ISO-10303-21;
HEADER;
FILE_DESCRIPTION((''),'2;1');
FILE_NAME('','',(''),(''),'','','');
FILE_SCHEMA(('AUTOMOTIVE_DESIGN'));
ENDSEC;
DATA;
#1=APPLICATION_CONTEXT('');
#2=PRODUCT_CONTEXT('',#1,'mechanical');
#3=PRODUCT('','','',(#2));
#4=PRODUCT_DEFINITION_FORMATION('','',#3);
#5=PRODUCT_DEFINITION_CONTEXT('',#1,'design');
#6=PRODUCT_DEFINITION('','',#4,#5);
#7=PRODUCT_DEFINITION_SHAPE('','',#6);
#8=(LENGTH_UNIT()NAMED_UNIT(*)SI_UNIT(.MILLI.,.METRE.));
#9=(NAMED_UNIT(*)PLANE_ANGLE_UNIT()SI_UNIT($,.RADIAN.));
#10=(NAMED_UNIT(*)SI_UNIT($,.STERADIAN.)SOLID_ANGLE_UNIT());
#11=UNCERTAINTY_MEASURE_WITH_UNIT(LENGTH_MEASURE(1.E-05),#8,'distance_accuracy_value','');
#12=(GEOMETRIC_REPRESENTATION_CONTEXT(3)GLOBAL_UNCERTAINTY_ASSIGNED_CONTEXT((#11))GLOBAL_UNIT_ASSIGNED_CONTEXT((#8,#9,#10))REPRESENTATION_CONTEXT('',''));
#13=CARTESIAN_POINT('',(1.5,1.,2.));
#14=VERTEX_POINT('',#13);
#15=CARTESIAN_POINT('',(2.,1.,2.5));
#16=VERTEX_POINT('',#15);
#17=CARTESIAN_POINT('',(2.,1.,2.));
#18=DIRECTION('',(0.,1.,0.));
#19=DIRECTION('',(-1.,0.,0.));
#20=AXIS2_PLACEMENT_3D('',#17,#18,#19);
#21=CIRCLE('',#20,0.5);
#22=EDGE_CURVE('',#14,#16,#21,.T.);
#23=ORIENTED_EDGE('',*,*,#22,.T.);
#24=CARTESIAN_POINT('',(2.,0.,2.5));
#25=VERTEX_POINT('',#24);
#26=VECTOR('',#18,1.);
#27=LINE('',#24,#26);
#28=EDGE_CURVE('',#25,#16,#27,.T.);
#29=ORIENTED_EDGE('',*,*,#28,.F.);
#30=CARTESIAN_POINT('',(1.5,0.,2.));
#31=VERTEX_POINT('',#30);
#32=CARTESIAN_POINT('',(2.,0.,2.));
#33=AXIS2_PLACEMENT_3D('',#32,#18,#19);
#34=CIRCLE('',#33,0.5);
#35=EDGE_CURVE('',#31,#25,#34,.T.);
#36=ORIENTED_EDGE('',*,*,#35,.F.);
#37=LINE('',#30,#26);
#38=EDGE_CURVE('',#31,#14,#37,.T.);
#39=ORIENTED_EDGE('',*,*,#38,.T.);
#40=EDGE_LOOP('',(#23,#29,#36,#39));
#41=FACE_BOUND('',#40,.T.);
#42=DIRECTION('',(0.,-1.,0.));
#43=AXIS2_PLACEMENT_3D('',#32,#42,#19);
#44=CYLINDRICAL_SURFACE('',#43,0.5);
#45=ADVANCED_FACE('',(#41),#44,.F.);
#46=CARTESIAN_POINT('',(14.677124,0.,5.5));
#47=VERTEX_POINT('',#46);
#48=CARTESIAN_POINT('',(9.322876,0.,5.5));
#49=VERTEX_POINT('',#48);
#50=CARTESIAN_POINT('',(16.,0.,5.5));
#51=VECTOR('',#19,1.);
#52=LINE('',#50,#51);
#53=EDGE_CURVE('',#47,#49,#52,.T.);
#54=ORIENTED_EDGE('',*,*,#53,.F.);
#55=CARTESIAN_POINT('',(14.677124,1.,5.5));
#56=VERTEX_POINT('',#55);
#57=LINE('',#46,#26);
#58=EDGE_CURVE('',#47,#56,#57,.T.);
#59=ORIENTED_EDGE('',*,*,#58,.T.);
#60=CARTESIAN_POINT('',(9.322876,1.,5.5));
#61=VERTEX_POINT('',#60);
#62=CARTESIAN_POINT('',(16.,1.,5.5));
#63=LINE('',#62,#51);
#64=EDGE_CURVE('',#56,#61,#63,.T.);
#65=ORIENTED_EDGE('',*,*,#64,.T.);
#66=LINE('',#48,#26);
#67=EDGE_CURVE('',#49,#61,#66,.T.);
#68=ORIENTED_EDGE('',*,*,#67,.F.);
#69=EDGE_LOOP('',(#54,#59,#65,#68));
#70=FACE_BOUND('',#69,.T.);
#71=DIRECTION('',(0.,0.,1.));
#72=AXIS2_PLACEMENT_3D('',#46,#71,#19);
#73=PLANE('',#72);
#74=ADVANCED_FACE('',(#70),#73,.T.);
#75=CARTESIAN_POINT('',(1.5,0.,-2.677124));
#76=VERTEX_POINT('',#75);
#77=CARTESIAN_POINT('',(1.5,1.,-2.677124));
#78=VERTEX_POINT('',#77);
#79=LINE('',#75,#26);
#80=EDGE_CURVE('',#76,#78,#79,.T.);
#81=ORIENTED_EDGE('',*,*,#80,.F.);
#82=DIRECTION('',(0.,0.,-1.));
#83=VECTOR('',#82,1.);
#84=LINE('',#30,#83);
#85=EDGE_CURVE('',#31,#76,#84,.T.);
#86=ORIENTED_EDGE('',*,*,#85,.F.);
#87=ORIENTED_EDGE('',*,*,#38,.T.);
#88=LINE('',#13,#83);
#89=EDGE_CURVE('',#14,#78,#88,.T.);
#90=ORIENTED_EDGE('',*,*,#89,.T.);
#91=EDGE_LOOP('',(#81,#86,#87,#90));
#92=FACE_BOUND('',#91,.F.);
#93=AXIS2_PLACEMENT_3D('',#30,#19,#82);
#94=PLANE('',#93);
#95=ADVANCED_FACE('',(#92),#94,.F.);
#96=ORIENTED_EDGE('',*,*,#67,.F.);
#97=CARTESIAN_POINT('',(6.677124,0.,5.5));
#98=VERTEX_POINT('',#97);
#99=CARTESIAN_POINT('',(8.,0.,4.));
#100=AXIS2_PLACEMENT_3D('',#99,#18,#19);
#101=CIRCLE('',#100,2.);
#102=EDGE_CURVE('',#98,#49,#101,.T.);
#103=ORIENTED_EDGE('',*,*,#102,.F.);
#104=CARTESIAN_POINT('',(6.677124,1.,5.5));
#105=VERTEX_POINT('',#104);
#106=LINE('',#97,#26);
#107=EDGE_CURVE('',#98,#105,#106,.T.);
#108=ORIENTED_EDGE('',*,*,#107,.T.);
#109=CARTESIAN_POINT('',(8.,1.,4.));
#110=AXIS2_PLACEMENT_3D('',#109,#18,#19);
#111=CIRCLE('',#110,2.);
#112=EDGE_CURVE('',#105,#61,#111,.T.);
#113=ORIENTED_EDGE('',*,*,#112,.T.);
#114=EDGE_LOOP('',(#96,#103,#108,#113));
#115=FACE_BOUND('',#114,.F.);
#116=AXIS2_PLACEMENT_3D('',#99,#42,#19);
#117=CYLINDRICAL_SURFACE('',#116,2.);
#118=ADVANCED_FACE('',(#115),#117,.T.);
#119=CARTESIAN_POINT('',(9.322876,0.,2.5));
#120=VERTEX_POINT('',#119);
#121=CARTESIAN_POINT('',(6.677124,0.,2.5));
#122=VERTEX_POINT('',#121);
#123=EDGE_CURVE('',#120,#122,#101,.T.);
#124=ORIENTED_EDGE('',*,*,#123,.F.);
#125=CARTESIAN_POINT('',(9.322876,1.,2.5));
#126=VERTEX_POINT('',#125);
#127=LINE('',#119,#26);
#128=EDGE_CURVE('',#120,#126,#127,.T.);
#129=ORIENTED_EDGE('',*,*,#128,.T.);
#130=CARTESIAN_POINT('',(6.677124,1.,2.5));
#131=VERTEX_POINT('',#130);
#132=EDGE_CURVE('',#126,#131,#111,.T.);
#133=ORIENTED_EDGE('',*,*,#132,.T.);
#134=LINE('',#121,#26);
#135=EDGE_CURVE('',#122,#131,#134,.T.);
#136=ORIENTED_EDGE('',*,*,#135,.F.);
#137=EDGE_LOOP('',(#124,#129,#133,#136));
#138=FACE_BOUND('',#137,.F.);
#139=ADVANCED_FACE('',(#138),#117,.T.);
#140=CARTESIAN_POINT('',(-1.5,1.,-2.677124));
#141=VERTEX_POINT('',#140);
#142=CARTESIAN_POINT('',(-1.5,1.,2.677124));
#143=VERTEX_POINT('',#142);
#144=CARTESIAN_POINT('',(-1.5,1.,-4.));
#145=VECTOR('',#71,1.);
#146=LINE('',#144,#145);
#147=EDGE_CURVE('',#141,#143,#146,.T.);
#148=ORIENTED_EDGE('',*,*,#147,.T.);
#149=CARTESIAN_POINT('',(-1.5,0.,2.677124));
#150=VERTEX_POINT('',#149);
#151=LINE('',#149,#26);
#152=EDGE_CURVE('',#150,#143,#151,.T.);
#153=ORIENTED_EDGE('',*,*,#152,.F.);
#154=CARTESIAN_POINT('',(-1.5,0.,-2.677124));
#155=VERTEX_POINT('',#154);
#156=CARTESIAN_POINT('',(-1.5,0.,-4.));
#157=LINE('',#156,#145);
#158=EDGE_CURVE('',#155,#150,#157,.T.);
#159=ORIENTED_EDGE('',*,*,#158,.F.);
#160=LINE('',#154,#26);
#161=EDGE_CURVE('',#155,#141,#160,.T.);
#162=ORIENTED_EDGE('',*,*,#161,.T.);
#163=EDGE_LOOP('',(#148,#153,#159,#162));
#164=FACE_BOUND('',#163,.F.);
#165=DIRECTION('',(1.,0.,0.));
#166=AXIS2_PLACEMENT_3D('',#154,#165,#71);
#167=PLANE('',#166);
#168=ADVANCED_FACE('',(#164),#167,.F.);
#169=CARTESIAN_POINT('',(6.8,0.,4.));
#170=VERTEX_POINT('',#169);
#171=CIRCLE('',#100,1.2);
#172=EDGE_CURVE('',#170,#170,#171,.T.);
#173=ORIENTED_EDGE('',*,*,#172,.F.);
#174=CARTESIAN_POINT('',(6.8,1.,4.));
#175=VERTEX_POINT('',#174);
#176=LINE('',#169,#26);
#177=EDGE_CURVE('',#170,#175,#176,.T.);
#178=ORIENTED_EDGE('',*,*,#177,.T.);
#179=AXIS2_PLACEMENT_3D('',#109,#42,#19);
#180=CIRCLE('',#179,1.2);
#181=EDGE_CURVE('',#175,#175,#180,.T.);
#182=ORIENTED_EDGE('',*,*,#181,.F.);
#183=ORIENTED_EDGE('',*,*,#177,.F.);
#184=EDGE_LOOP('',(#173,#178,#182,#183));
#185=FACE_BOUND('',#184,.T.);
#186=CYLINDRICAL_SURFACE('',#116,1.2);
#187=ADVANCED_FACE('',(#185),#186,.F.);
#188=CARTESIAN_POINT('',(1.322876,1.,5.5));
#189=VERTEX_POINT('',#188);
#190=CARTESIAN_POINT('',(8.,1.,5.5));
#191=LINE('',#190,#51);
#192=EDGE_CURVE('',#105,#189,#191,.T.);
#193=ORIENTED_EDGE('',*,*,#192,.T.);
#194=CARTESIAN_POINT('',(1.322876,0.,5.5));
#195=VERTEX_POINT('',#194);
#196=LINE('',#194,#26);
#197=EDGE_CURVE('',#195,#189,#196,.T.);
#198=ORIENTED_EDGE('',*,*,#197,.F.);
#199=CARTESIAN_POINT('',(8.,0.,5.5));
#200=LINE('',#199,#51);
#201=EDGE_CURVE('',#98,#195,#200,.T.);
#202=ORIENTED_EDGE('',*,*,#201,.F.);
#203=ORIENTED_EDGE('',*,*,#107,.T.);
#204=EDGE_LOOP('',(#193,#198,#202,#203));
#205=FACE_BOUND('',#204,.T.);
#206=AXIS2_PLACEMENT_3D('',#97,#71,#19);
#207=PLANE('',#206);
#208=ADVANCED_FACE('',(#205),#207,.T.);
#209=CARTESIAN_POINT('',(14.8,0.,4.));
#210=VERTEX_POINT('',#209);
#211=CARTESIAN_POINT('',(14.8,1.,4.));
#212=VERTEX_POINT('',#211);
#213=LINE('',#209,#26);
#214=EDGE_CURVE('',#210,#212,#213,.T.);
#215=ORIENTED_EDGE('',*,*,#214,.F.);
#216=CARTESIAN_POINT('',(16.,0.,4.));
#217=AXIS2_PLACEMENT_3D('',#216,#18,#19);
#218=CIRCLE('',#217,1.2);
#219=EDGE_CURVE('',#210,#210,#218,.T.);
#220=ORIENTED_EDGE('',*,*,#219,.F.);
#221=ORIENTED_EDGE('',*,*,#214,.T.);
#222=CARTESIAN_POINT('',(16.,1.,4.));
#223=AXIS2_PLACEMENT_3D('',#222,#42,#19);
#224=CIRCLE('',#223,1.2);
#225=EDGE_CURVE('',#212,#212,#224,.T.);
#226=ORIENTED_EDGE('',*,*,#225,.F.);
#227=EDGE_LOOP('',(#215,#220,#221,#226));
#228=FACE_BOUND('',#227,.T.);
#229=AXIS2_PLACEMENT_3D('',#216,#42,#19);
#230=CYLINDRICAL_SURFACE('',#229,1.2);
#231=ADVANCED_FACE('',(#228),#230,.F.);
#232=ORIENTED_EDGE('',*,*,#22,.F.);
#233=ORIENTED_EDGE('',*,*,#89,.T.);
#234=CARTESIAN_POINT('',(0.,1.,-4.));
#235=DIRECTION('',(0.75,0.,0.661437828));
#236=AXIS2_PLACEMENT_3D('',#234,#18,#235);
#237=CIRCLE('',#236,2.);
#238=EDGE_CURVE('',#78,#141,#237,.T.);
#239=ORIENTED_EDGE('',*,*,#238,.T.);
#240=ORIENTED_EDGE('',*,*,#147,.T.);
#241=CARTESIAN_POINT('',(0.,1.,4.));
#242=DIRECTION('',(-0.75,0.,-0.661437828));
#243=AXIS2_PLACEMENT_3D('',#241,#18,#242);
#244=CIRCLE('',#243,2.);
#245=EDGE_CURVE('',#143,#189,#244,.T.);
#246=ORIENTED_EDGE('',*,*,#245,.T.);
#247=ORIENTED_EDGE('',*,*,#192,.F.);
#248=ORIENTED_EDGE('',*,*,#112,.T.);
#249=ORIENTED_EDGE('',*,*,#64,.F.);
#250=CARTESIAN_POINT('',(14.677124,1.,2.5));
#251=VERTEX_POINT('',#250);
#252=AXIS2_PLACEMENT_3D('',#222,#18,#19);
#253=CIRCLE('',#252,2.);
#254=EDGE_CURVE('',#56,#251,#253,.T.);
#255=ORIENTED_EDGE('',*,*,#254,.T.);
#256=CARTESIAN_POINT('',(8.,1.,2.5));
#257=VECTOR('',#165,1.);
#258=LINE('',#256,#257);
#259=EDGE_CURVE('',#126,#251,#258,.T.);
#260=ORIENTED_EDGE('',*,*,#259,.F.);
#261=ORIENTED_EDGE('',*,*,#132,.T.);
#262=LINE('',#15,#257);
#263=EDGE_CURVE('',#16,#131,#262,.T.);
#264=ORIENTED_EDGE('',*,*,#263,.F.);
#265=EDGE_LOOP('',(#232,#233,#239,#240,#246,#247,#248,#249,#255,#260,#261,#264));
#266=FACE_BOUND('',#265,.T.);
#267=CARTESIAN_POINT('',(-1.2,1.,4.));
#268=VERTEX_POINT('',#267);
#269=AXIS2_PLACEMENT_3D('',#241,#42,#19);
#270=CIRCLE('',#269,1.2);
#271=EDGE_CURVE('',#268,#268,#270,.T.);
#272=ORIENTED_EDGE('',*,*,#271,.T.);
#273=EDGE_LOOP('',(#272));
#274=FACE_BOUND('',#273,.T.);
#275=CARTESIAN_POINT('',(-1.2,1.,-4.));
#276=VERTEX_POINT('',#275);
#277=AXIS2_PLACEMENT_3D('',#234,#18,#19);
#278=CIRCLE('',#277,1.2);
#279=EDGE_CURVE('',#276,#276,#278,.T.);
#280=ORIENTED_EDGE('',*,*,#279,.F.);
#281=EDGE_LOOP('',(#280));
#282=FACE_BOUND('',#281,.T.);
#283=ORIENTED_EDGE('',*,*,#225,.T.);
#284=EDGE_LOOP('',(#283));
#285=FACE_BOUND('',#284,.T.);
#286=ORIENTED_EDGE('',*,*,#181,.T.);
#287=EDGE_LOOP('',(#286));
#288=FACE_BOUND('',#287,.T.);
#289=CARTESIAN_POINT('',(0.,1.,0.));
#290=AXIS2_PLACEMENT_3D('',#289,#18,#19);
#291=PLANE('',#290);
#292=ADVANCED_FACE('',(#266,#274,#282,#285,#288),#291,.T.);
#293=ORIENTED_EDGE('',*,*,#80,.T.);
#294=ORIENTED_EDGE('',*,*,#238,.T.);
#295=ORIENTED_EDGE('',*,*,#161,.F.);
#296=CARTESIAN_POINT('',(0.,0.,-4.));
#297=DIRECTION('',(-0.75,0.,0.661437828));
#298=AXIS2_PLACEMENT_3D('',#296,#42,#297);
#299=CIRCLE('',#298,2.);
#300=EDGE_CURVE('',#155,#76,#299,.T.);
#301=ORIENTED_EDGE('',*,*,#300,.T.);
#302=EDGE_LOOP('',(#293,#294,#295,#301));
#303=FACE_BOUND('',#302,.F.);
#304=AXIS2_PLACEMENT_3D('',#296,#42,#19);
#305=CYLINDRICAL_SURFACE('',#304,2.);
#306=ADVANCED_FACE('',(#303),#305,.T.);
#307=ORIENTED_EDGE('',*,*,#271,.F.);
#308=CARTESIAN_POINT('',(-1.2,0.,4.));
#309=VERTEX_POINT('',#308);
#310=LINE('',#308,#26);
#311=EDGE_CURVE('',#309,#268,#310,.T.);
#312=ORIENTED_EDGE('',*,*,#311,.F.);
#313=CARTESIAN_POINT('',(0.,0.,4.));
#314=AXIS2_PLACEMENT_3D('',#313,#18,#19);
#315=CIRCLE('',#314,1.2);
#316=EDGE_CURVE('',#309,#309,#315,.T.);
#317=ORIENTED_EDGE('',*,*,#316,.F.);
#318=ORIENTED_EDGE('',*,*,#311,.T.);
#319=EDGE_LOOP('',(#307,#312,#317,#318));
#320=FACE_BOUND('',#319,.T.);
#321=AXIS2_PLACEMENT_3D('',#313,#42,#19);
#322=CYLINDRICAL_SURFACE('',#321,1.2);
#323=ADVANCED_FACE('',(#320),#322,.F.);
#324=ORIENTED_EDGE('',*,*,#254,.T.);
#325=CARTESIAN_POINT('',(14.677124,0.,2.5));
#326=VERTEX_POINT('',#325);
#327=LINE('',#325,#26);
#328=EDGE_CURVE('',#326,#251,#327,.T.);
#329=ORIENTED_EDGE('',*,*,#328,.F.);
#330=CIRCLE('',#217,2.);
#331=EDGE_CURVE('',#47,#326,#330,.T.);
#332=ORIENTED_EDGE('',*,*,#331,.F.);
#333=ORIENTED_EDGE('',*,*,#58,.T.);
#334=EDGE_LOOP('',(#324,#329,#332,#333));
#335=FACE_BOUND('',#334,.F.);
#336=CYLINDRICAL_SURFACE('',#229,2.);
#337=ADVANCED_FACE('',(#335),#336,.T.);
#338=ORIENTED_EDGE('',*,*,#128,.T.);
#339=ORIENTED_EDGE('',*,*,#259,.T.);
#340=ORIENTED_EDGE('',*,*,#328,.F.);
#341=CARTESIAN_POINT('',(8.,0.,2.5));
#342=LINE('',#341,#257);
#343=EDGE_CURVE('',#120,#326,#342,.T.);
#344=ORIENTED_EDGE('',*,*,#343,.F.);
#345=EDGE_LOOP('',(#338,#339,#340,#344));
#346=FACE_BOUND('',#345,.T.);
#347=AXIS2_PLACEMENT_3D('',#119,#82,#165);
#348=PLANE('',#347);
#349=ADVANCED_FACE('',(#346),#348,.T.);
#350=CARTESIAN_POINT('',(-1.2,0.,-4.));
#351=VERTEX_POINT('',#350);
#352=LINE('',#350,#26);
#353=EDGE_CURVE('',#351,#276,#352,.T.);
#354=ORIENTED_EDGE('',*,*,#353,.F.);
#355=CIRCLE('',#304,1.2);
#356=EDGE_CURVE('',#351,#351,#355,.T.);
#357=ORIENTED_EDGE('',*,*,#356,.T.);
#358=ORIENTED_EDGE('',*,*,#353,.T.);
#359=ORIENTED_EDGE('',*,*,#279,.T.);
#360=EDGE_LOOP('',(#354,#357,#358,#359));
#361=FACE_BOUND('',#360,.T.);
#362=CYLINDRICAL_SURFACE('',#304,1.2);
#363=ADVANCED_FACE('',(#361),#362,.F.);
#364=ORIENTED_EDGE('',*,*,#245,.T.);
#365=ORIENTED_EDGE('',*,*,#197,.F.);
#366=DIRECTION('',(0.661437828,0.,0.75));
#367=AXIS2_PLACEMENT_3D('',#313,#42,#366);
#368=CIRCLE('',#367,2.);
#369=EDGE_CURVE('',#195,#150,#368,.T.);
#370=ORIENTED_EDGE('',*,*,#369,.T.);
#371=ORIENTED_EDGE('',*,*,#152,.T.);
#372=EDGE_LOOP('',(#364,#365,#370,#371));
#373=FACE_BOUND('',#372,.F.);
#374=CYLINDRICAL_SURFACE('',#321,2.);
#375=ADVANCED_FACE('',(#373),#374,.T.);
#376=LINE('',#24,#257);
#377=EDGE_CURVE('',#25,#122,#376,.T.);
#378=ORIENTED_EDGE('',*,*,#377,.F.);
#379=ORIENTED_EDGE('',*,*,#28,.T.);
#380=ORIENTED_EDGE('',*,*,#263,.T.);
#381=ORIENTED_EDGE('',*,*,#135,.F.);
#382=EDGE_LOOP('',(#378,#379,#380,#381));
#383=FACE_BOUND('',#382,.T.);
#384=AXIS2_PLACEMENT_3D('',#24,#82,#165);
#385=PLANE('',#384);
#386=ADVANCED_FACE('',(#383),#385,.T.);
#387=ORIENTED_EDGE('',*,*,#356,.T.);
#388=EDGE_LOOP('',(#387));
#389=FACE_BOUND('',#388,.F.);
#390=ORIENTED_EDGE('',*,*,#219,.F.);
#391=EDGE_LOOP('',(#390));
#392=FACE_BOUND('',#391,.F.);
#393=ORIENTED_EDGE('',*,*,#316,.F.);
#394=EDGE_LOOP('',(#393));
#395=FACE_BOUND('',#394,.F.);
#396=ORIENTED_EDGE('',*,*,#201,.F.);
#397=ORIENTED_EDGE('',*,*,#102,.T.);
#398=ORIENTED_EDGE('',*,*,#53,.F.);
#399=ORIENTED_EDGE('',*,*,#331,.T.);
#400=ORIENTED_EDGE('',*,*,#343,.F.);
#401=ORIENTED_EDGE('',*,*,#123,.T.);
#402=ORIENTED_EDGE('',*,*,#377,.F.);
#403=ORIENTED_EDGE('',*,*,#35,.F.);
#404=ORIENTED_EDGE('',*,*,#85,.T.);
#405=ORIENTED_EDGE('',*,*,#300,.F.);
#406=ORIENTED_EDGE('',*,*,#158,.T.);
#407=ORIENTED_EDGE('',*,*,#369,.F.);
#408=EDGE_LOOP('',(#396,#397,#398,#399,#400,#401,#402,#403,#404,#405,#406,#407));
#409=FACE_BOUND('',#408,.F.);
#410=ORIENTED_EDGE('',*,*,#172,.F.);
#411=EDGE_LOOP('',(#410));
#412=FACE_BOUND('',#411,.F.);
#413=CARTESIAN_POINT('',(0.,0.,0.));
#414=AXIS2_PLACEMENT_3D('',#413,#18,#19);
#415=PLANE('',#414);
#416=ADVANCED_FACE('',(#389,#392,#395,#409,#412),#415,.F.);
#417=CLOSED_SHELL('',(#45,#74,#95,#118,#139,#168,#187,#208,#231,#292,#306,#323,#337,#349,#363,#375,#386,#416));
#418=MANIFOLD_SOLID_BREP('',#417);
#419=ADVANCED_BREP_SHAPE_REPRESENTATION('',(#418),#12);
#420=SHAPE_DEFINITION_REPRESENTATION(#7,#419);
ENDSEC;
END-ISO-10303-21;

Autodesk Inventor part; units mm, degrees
ref_plane "YZ Plane" through (0, 0, 0) normal (1, 0, 0) x (0, 1, 0)
ref_plane "XZ Plane" through (0, 0, 0) normal (0, 1, 0) x (-1, 0, 0)
sketch "Sketch1" plane through (0, 0, 0) normal (0, 1, 0) x (-1, 0, 0)
  line L0 (-1.5, -4) -> (1.5, -4)
  line L1 (1.5, -4) -> (1.5, 4)
  line L2 (1.5, 4) -> (-1.5, 4)
  line L3 (-1.5, 2) -> (-1.5, -4)
  line L4 (-1.5, -4) -> (1.5, 4) construction
  line L5 (1.5, -4) -> (-1.5, 4) construction
  circle A0 centre (0, 4) radius 1.2
  circle A1 centre (0, -4) radius 1.2
  circle A2 centre (0, -4) radius 2
  circle A3 centre (0, 4) radius 2
  line L6 (-2, 2.5) -> (-8, 2.5)
  line L7 (-8, 2.5) -> (-8, 5.5)
  line L8 (-8, 5.5) -> (0, 5.5)
  line L9 (0, 5.5) -> (0, 2.5)
  circle A4 centre (-8, 4) radius 1.2
  circle A5 centre (-8, 4) radius 2
  arc A6 (-1.5, 2) -> (-2, 2.5) centre (-2, 2) ccw
  line L10 (-8, 2.5) -> (-16, 2.5)
  line L11 (-16, 2.5) -> (-16, 5.5)
  line L12 (-16, 5.5) -> (-8, 5.5)
  line L13 (-8, 5.5) -> (-8, 2.5)
  circle A7 centre (-16, 4) radius 1.2
  circle A8 centre (-16, 4) radius 2
  point P0 (0, 0)
  point P1 (-1.5, -2.6771)
  point P2 (1.5, -2.6771)
  point P3 (1.5, 2.6771)
  point P4 (-1.5, 2.6771)
  point P5 (-6.6771, 2.5)
  point P6 (-1.5, 2.5)
  point P7 (-1.3229, 5.5)
  point P8 (-6.6771, 5.5)
  point P9 (-8, 5.2)
  point P10 (-8, 2.8)
  point P11 (-14.6771, 2.5)
  point P12 (-9.3229, 2.5)
  point P13 (-9.3229, 5.5)
  point P14 (-14.6771, 5.5)
  dimension "d0" = 3
  dimension "linkPitchWidth" = 8
  dimension "d3" = 2.4
  dimension "d4" = 4
  dimension "linkPitchLength" = 8
  dimension "d17" = 0.5
  dimension "d18" = 8
extrude "Extrusion1" add sketch "Sketch1" along normal blind 1 contours A1 L0 L3 A2 L1 | L0 L1 A2 L3 A1 | A2 L3 A6 L6 A5 L8 A3 L1 | A3 L8 L9 A0 L2 L1 | L1 L2 A0 L9 L8 A3 | A5 L6 L7 A4 L8 | L8 L12 A5 | L7 A4 L10 A5 L12 | A5 L10 A8 L12 | A5 L10 L6 | A8 L10 L11 A7 L12 | L12 L11 A7 L10 A8
sketch "Sketch3" plane through (0, 1, 0) normal (0, 1, 0) x (1, 0, 0)
  line L0 (6.6771, -2.5) -> (2, -2.5) projected
  arc A0 (1.5, -2) -> (2, -2.5) centre (2, -2) ccw projected
  line L1 (1.5, -2) -> (1.5, 2.6771) projected
  arc A1 (1.5, 2.6771) -> (-1.5, 2.6771) centre (0, 4) ccw projected
  line L2 (-1.5, 2.6771) -> (-1.5, -2.6771) projected
  arc A2 (-1.5, -2.6771) -> (1.3229, -5.5) centre (0, -4) ccw projected
  line L3 (1.3229, -5.5) -> (6.6771, -5.5) projected
  arc A3 (6.6771, -5.5) -> (9.3229, -5.5) centre (8, -4) ccw projected
  line L4 (9.3229, -5.5) -> (14.6771, -5.5) projected
  arc A4 (14.6771, -5.5) -> (14.6771, -2.5) centre (16, -4) ccw projected
  line L5 (14.6771, -2.5) -> (9.3229, -2.5) projected
  arc A5 (9.3229, -2.5) -> (6.6771, -2.5) centre (8, -4) ccw projected
  circle A6 centre (8, -4) radius 1.2 projected
  circle A7 centre (0, 4) radius 1.2 projected
  circle A8 centre (0, -4) radius 1.2 projected
  circle A9 centre (16, -4) radius 1.2 projected
  point P0 (0, 0)
extrude "Extrusion3" [suppressed]
ref_plane "Work Plane1" through (0, 0.5, 0) normal (0, 1, 0) x (1, 0, 0)
sketch "Sketch2" plane through (0, 1, 0) normal (0, 1, 0) x (1, 0, 0)
  line L0 (6.6771, -2.5) -> (2, -2.5) projected
  arc A0 (1.5, -2) -> (2, -2.5) centre (2, -2) ccw projected
  line L1 (1.5, -2) -> (1.5, 2.6771) projected
  arc A1 (1.5, 2.6771) -> (-1.5, 2.6771) centre (0, 4) ccw projected
  line L2 (-1.5, 2.6771) -> (-1.5, -2.6771) projected
  arc A2 (-1.5, -2.6771) -> (1.3229, -5.5) centre (0, -4) ccw projected
  line L3 (1.3229, -5.5) -> (6.6771, -5.5) projected
  arc A3 (6.6771, -5.5) -> (9.3229, -5.5) centre (8, -4) ccw projected
  line L4 (9.3229, -5.5) -> (14.6771, -5.5) projected
  arc A4 (14.6771, -5.5) -> (14.6771, -2.5) centre (16, -4) ccw projected
  line L5 (14.6771, -2.5) -> (9.3229, -2.5) projected
  arc A5 (9.3229, -2.5) -> (6.6771, -2.5) centre (8, -4) ccw projected
  circle A6 centre (8, -4) radius 1.2 projected
  circle A7 centre (0, -4) radius 1.2 projected
  circle A8 centre (16, -4) radius 1.2 projected
  circle A9 centre (0, 4) radius 1
  point P0 (0, 0)
  dimension "d25" = 2
extrude "Extrusion2" [suppressed]
properties part number "link-1-turn-rigid-8"
